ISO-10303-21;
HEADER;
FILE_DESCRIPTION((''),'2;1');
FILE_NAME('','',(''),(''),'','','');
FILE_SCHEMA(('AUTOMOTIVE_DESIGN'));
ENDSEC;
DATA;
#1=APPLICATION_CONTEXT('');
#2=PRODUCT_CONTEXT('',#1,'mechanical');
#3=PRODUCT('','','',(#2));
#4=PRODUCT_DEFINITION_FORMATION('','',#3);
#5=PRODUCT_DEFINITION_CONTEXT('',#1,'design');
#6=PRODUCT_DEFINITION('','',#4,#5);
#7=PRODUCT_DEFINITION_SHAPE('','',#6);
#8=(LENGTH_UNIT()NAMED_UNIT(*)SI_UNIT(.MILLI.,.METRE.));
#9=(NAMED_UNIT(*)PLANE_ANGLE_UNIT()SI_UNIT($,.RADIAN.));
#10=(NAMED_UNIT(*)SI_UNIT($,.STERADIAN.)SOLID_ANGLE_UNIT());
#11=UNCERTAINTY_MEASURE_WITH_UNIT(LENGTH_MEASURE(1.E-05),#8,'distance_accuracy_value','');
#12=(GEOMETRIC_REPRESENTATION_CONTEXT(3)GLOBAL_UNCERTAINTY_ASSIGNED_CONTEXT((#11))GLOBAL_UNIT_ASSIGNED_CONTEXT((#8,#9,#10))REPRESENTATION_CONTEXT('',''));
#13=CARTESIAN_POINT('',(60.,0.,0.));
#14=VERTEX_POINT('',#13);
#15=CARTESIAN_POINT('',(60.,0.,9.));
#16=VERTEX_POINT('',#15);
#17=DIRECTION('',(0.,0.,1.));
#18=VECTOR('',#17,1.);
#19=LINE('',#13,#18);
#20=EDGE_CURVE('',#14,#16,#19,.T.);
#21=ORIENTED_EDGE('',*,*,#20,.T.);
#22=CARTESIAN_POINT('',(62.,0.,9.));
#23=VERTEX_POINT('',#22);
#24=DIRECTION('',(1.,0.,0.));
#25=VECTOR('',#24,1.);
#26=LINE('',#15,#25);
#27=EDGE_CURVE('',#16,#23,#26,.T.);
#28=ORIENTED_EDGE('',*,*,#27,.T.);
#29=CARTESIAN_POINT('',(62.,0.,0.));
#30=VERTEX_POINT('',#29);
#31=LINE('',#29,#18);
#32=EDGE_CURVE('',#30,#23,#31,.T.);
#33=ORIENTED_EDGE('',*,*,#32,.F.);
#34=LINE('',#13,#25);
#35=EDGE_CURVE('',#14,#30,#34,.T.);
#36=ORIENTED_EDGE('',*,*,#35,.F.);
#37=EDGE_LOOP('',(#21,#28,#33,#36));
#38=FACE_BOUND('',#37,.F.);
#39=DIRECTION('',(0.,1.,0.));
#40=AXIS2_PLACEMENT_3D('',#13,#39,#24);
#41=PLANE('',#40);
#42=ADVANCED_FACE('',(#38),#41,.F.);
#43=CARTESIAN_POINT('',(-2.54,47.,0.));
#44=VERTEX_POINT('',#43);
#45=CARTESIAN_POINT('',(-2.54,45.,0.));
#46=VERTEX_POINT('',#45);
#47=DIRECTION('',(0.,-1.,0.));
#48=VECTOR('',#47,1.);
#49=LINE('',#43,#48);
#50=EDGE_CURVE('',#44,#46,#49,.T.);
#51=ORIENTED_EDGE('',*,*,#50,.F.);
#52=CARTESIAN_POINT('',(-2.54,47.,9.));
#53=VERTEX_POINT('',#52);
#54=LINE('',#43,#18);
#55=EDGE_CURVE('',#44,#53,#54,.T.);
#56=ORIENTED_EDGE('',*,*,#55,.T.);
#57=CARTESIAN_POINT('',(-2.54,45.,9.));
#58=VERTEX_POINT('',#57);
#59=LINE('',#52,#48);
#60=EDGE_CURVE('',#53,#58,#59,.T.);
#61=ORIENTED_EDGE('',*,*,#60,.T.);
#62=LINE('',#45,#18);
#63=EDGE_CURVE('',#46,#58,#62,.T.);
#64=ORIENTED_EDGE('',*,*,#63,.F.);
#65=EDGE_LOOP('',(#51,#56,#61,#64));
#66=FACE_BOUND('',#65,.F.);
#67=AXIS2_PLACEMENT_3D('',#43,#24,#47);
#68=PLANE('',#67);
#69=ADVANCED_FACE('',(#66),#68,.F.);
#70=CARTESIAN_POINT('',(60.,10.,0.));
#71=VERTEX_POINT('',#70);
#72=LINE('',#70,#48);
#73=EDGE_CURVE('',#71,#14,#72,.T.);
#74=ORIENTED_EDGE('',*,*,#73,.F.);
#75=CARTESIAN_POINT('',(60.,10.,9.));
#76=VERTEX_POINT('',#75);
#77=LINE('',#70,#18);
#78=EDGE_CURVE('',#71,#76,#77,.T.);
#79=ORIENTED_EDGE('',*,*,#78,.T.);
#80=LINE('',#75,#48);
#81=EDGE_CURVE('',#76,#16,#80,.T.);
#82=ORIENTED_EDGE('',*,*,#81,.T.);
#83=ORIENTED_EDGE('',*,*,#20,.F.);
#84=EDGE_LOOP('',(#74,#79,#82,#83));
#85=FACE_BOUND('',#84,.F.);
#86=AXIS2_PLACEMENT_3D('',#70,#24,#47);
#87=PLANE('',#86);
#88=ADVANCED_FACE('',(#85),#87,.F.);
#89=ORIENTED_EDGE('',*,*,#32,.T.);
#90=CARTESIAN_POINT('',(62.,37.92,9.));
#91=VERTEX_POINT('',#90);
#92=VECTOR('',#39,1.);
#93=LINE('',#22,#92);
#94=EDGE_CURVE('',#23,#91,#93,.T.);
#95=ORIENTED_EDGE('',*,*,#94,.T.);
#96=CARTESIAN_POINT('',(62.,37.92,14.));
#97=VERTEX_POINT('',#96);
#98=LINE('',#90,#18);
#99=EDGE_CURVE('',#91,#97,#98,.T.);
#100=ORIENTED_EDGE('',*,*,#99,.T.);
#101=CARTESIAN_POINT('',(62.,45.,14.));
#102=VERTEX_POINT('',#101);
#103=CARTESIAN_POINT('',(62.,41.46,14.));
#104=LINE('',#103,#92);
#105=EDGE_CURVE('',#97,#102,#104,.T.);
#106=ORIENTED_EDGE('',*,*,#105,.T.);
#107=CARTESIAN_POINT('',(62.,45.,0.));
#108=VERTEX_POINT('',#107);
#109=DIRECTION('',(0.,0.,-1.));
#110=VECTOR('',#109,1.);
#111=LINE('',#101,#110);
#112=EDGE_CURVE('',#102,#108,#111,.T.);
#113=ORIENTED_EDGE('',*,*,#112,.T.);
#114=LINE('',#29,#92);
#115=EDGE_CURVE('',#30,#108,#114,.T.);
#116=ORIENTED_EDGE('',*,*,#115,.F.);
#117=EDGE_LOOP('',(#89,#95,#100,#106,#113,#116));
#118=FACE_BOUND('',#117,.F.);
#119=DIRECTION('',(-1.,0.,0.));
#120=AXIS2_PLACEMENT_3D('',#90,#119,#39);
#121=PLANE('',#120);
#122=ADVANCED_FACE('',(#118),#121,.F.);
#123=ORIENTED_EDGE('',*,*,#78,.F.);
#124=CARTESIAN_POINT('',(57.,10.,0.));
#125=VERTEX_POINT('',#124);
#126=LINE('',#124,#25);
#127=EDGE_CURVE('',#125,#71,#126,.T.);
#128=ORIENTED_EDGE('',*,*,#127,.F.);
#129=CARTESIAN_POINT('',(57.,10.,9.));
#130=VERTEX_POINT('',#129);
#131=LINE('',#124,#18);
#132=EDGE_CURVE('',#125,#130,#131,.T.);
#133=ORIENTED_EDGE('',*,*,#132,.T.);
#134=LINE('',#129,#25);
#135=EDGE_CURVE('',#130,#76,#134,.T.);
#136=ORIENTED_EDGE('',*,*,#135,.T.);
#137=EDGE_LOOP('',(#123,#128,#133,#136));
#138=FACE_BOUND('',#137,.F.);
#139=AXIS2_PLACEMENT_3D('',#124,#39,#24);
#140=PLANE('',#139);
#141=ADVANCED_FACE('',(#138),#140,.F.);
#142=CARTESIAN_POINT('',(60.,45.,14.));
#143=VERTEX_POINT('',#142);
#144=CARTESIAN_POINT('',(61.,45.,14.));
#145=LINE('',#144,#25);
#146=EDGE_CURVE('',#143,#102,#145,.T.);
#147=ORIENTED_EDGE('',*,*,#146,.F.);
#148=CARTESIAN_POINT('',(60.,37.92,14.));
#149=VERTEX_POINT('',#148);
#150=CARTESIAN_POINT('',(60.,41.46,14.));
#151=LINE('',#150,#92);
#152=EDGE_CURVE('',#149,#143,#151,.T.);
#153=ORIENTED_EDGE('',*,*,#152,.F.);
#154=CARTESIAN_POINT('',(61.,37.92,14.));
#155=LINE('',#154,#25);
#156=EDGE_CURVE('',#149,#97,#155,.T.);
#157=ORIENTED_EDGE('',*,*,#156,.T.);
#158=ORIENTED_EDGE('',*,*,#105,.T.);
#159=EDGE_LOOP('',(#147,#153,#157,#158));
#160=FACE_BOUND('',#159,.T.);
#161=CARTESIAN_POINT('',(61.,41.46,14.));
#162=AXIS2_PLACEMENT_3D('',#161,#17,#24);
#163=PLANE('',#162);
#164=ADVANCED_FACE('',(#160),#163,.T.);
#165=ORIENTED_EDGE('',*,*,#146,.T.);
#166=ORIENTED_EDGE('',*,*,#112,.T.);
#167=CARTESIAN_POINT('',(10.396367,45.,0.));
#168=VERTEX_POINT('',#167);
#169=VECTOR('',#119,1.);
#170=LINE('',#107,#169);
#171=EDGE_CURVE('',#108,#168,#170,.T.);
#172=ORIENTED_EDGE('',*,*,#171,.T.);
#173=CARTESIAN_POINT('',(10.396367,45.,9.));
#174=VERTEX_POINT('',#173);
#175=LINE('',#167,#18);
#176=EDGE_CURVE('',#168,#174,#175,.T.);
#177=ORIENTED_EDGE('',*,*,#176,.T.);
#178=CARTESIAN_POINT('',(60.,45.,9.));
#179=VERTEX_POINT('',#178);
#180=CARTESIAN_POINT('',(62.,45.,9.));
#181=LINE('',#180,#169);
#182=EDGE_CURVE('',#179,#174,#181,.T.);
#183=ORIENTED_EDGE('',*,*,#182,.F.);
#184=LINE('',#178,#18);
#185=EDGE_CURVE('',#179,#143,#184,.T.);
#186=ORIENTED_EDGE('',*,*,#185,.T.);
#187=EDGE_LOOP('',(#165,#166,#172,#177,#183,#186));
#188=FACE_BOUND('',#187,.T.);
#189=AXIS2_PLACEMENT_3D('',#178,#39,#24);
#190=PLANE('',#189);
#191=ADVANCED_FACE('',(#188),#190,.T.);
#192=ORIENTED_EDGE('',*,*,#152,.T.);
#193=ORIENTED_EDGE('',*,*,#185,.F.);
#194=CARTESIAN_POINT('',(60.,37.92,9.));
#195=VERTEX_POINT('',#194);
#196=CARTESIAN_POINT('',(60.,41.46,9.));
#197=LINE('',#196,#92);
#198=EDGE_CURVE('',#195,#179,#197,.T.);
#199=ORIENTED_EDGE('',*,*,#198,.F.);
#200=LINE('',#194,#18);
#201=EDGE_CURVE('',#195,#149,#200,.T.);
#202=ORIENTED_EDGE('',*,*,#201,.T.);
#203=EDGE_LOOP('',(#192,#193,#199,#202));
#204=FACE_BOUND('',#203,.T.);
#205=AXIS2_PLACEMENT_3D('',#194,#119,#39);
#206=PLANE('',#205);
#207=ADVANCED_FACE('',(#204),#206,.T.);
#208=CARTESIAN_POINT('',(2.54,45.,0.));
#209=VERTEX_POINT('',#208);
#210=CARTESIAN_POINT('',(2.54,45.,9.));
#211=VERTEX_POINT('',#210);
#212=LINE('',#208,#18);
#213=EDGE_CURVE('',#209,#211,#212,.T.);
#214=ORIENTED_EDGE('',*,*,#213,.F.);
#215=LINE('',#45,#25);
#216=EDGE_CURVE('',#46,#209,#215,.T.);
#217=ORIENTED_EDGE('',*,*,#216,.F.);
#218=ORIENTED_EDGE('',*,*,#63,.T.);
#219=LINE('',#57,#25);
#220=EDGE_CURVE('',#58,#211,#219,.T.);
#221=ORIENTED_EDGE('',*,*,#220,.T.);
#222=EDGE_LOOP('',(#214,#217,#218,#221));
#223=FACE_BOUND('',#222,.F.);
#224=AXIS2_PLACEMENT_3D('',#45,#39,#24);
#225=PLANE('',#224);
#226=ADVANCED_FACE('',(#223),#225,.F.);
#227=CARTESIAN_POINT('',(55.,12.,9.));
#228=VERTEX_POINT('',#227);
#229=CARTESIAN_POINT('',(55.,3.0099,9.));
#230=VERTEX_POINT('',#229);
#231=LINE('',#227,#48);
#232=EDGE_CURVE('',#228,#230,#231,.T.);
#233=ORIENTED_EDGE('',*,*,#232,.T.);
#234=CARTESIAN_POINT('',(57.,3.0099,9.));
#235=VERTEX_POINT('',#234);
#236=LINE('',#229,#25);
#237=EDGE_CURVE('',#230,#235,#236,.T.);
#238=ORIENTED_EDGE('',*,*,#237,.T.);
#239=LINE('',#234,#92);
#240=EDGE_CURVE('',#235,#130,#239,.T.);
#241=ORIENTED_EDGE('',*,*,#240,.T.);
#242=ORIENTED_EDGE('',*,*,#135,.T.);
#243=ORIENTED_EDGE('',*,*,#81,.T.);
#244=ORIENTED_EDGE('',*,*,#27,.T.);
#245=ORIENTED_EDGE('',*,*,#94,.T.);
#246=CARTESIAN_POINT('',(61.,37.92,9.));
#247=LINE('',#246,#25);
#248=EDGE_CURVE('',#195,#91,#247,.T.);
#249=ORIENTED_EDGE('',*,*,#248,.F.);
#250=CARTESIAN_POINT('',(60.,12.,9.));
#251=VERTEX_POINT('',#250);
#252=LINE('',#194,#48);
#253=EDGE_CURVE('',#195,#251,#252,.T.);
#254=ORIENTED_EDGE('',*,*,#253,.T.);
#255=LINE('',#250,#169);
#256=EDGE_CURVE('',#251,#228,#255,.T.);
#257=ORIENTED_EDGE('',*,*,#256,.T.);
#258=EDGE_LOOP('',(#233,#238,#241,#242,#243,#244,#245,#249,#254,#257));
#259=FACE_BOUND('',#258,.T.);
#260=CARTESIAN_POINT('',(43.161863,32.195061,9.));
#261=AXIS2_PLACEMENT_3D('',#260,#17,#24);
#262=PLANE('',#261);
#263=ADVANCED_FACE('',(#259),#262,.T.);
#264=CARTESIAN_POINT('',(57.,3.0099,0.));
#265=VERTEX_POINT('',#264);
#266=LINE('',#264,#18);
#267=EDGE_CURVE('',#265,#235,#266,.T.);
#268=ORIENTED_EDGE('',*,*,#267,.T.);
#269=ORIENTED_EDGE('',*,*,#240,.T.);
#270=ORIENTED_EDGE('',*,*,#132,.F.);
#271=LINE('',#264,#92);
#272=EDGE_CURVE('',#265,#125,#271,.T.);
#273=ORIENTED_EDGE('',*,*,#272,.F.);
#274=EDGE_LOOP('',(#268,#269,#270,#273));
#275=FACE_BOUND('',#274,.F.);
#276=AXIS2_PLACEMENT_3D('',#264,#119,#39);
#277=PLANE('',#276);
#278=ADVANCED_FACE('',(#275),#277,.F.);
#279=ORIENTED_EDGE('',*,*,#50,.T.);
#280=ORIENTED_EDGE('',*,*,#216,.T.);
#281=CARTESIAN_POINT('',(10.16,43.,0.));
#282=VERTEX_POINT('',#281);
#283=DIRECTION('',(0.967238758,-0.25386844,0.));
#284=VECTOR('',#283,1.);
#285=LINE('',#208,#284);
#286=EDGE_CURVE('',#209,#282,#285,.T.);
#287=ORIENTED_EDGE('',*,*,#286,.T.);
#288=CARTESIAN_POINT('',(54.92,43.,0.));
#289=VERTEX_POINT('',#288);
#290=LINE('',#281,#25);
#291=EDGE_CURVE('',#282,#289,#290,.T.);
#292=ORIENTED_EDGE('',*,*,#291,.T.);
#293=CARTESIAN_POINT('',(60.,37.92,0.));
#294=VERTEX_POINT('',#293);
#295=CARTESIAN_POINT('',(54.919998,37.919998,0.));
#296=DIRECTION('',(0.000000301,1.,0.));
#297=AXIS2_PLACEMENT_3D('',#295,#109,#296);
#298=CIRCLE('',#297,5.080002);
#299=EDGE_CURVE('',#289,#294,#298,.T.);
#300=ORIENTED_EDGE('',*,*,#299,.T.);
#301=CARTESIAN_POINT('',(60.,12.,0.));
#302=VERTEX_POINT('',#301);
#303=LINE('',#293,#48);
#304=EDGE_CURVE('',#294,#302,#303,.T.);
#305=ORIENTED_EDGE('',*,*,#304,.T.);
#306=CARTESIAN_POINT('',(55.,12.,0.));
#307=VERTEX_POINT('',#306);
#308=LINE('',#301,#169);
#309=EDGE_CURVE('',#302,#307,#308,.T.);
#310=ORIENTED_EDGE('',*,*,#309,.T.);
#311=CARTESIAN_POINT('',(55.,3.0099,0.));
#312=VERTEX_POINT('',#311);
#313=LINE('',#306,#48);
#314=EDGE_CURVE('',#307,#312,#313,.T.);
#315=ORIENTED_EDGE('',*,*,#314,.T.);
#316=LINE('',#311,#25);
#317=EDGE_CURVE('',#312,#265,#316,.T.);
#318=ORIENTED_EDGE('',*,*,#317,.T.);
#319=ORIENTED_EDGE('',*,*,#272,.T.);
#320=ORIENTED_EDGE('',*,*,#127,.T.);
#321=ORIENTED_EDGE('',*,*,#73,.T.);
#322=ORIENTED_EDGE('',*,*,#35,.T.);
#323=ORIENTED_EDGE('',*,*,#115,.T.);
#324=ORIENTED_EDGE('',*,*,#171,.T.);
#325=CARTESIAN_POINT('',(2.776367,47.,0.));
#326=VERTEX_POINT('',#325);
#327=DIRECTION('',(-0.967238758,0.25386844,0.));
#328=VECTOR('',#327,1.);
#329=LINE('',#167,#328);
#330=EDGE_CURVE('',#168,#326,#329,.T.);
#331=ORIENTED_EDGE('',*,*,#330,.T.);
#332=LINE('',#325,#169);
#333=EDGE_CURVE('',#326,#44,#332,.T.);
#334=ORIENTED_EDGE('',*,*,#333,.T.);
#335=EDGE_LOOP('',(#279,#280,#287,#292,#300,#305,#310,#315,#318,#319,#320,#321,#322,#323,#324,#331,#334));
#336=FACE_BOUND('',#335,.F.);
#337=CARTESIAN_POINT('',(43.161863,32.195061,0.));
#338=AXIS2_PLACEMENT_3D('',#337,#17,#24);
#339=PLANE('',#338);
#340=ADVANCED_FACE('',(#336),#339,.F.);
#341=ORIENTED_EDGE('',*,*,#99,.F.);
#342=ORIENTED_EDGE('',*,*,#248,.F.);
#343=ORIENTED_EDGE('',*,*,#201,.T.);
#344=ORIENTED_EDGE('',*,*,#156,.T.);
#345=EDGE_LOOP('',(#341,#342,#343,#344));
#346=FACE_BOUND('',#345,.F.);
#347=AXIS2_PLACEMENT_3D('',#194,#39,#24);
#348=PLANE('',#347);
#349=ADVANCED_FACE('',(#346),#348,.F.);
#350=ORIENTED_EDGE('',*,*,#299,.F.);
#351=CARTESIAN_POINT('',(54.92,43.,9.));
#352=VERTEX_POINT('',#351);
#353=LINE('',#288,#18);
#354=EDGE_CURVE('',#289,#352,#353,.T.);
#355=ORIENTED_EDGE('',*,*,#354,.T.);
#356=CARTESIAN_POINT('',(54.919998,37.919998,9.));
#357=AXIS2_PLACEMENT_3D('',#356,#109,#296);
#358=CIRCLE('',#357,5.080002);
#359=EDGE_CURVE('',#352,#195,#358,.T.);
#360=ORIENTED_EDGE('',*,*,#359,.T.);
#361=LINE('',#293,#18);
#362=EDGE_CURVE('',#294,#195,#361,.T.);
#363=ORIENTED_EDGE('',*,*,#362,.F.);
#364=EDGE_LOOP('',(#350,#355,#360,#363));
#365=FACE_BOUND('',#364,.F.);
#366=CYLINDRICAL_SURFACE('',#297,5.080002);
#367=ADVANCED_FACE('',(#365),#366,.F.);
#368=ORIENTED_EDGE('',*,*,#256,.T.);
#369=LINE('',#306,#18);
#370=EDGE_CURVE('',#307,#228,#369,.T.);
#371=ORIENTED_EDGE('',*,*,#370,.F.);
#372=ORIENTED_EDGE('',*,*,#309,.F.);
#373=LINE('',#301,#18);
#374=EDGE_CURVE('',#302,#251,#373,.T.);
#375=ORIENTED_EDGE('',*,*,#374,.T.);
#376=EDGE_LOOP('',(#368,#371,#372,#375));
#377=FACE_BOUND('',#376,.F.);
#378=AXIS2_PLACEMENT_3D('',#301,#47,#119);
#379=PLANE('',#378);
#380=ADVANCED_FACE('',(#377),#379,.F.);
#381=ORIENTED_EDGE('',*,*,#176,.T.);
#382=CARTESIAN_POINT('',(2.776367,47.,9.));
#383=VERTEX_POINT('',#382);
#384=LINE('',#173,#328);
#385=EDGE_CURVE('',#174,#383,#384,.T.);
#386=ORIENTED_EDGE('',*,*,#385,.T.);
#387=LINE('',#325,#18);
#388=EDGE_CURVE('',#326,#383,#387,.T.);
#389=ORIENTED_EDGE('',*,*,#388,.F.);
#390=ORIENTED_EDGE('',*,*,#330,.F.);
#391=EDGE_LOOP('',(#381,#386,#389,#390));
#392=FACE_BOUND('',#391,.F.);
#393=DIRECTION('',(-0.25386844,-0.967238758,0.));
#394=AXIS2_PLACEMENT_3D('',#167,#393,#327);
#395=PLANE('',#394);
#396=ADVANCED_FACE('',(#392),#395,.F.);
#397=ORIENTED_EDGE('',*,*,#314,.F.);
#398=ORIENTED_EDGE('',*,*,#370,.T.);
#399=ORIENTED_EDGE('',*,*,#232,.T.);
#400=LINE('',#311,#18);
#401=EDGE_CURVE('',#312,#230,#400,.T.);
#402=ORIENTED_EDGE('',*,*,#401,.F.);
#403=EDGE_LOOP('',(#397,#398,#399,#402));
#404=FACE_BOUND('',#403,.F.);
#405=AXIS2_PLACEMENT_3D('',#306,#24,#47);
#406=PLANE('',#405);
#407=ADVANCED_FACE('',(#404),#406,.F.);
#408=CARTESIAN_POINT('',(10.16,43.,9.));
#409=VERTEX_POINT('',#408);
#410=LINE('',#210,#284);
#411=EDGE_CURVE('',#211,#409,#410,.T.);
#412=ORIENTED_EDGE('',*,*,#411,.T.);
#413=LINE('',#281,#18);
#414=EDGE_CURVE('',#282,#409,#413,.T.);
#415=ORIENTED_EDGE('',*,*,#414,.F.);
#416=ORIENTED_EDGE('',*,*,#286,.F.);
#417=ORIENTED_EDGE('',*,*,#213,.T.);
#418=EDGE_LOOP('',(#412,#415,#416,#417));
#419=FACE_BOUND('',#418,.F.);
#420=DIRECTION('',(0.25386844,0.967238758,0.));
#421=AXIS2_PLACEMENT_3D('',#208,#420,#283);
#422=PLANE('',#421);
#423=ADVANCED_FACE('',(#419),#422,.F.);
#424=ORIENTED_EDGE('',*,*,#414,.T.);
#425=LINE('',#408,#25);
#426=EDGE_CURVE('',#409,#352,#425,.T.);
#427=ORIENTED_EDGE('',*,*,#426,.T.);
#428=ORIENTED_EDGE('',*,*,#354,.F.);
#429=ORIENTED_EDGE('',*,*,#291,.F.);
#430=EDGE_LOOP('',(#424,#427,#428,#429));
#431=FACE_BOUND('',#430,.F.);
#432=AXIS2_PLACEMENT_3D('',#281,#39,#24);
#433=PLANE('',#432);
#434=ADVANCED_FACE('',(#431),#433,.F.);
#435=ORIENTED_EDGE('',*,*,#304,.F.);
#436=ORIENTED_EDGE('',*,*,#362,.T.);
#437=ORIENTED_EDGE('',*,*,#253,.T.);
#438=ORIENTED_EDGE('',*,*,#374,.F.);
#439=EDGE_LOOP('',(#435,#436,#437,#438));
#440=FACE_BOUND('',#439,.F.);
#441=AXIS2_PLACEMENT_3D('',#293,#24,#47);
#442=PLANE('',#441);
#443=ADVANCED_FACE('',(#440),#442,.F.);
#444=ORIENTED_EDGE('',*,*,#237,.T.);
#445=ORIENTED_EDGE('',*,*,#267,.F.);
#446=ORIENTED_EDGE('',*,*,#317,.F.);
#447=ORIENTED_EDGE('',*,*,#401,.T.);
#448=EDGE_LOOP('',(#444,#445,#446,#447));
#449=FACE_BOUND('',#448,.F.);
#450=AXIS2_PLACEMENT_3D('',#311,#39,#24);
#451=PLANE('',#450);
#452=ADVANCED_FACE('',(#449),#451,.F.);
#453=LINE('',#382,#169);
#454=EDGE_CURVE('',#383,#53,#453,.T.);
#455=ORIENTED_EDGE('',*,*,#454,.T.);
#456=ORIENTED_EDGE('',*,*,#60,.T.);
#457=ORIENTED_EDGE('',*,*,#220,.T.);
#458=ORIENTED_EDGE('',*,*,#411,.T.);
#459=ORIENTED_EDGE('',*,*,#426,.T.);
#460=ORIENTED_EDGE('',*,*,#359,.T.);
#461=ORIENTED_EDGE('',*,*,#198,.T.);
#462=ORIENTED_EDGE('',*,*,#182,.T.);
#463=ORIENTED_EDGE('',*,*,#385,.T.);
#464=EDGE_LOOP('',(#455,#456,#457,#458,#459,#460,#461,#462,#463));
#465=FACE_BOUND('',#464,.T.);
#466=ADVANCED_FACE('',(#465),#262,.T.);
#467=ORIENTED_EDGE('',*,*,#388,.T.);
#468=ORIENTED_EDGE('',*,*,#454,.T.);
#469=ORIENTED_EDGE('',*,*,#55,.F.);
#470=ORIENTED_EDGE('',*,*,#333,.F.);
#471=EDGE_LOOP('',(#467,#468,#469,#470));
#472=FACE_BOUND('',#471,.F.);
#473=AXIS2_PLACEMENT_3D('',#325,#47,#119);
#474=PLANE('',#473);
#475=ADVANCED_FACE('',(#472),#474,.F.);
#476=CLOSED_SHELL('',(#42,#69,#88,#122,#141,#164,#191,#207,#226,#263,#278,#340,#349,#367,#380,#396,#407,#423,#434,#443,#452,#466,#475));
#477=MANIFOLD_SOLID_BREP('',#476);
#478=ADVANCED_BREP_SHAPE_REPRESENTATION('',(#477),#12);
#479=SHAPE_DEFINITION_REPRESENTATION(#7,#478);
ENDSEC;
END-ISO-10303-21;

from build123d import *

# Parameters (mm, degrees)
F1_DEPTH = 9
F2_W     = 2
F2_H     = 7.08
F3_DEPTH = 5


with BuildPart() as f1:
    # F0 (on Top) → F1 (new body)
    with BuildSketch(Plane.XY):
        with BuildLine():
            Line((55, 12), (55, 3.0099))
            Line((55, 3.0099), (57, 3.0099))
            Line((57, 3.0099), (57, 10))
            Line((57, 10), (60, 10))
            Line((60, 10), (60, 0))
            Line((60, 0), (62, 0))
            Line((62, 0), (62, 45))
            Line((62, 45), (10.396367, 45))
            Line((10.396367, 45), (2.776367, 47))
            Line((2.776367, 47), (-2.54, 47))
            Line((-2.54, 47), (-2.54, 45))
            Line((-2.54, 45), (2.54, 45))
            Line((2.54, 45), (10.16, 43))
            Line((10.16, 43), (54.92, 43))
            ThreePointArc((54.92, 43), (58.512102, 41.512102), (60, 37.92))
            Line((60, 37.92), (60, 12))
            Line((60, 12), (55, 12))
        make_face()
    extrude(amount=F1_DEPTH)

    # F2 (on face) → F3 (join)
    with BuildSketch(Plane.XY.offset(9)):
        with Locations((61, 41.46)):
            Rectangle(F2_W, F2_H)
    extrude(amount=F3_DEPTH)


solid = f1.part
